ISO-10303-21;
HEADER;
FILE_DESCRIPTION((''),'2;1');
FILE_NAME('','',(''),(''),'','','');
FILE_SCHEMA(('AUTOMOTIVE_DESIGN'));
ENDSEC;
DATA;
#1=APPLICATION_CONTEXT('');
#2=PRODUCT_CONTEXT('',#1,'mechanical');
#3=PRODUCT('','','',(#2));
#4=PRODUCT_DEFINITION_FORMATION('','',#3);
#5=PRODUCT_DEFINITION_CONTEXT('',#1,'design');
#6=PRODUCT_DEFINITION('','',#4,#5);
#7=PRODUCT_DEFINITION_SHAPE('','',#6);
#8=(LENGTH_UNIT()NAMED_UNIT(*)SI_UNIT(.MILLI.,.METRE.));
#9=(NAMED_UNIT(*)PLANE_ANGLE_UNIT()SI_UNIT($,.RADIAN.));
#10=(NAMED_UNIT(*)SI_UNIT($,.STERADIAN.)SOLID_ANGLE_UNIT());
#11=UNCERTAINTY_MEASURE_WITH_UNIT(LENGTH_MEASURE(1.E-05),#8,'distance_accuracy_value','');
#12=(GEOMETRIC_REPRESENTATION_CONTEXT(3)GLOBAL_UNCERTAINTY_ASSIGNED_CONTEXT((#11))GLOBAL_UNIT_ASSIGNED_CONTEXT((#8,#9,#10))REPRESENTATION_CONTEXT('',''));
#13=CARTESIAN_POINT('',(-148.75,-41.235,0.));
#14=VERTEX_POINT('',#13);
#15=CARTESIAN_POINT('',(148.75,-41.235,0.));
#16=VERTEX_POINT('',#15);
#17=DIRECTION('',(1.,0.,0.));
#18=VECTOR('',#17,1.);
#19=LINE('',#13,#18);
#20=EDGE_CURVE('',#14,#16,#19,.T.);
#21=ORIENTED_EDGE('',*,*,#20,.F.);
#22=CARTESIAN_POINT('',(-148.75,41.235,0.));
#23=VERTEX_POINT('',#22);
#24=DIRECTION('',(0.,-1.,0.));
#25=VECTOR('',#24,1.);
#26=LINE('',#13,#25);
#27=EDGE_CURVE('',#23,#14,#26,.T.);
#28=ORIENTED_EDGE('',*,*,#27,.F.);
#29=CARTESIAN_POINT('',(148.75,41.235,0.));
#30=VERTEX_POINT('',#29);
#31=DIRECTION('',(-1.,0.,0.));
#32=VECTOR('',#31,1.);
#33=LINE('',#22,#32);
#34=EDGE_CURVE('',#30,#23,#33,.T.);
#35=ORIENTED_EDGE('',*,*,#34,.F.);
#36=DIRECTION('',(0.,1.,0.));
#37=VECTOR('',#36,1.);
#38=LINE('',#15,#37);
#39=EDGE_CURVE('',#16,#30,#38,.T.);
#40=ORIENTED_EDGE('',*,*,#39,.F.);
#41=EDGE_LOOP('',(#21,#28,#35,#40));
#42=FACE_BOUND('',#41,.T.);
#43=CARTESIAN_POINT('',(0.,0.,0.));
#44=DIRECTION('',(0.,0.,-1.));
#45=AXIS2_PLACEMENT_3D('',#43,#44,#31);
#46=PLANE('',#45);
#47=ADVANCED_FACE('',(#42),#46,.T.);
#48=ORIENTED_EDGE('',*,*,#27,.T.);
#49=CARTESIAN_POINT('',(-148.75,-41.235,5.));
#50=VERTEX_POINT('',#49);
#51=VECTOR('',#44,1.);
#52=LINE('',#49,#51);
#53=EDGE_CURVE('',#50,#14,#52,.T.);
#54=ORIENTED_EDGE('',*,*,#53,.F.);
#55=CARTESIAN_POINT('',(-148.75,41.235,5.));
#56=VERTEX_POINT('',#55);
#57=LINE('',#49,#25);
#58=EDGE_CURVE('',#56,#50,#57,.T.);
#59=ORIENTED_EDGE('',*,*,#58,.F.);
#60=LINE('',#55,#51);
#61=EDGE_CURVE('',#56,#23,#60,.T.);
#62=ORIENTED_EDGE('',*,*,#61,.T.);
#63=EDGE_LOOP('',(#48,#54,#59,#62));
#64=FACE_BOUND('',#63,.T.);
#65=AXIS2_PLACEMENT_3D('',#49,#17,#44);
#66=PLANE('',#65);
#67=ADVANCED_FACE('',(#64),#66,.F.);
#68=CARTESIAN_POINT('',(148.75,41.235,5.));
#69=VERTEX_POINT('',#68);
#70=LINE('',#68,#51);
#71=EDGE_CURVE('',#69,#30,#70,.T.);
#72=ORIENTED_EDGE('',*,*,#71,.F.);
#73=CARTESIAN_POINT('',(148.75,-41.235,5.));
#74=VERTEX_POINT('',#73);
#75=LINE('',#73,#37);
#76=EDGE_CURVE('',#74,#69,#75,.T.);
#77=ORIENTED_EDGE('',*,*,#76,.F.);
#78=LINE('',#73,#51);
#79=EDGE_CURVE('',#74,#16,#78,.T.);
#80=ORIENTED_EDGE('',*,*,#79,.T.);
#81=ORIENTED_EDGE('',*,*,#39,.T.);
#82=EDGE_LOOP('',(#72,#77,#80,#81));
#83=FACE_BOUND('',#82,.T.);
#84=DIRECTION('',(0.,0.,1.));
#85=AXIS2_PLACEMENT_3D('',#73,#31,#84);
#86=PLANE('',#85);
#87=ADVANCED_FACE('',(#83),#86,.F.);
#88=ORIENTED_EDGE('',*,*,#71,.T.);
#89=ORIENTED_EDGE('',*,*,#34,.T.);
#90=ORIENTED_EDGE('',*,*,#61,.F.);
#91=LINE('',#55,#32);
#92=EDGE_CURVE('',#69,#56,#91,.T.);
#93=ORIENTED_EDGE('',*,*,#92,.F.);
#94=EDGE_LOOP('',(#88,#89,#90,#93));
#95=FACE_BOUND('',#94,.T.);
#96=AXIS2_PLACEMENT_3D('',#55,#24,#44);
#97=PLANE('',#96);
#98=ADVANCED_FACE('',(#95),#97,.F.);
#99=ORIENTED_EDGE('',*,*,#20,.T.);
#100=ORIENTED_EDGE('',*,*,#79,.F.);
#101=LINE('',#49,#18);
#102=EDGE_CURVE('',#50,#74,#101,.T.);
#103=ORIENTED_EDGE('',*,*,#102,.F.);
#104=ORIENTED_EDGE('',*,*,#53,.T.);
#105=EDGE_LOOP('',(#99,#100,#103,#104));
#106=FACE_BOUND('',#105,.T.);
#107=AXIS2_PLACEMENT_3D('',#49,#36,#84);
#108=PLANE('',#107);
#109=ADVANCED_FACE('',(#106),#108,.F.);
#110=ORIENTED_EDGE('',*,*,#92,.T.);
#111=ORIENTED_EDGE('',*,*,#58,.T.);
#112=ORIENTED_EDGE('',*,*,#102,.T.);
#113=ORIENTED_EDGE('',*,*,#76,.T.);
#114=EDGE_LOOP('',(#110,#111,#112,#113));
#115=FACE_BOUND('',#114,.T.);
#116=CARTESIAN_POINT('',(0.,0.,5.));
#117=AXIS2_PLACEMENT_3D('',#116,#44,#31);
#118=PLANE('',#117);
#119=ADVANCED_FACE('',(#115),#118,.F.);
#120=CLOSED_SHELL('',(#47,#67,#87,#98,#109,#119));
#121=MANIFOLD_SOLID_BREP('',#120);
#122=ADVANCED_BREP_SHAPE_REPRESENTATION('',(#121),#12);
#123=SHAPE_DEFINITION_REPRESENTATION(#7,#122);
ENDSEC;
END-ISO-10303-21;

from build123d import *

# Parameters (mm, degrees)
ESQUISSE1_W        = 297.5
ESQUISSE1_H        = 82.47
BOSS_EXTRU_1_DEPTH = 5


with BuildPart() as part:
    # Esquisse1 → Boss.-Extru.1 (new body)
    with BuildSketch(Plane.XY):
        Rectangle(ESQUISSE1_W, ESQUISSE1_H)
    extrude(amount=BOSS_EXTRU_1_DEPTH)


solid = part.part
